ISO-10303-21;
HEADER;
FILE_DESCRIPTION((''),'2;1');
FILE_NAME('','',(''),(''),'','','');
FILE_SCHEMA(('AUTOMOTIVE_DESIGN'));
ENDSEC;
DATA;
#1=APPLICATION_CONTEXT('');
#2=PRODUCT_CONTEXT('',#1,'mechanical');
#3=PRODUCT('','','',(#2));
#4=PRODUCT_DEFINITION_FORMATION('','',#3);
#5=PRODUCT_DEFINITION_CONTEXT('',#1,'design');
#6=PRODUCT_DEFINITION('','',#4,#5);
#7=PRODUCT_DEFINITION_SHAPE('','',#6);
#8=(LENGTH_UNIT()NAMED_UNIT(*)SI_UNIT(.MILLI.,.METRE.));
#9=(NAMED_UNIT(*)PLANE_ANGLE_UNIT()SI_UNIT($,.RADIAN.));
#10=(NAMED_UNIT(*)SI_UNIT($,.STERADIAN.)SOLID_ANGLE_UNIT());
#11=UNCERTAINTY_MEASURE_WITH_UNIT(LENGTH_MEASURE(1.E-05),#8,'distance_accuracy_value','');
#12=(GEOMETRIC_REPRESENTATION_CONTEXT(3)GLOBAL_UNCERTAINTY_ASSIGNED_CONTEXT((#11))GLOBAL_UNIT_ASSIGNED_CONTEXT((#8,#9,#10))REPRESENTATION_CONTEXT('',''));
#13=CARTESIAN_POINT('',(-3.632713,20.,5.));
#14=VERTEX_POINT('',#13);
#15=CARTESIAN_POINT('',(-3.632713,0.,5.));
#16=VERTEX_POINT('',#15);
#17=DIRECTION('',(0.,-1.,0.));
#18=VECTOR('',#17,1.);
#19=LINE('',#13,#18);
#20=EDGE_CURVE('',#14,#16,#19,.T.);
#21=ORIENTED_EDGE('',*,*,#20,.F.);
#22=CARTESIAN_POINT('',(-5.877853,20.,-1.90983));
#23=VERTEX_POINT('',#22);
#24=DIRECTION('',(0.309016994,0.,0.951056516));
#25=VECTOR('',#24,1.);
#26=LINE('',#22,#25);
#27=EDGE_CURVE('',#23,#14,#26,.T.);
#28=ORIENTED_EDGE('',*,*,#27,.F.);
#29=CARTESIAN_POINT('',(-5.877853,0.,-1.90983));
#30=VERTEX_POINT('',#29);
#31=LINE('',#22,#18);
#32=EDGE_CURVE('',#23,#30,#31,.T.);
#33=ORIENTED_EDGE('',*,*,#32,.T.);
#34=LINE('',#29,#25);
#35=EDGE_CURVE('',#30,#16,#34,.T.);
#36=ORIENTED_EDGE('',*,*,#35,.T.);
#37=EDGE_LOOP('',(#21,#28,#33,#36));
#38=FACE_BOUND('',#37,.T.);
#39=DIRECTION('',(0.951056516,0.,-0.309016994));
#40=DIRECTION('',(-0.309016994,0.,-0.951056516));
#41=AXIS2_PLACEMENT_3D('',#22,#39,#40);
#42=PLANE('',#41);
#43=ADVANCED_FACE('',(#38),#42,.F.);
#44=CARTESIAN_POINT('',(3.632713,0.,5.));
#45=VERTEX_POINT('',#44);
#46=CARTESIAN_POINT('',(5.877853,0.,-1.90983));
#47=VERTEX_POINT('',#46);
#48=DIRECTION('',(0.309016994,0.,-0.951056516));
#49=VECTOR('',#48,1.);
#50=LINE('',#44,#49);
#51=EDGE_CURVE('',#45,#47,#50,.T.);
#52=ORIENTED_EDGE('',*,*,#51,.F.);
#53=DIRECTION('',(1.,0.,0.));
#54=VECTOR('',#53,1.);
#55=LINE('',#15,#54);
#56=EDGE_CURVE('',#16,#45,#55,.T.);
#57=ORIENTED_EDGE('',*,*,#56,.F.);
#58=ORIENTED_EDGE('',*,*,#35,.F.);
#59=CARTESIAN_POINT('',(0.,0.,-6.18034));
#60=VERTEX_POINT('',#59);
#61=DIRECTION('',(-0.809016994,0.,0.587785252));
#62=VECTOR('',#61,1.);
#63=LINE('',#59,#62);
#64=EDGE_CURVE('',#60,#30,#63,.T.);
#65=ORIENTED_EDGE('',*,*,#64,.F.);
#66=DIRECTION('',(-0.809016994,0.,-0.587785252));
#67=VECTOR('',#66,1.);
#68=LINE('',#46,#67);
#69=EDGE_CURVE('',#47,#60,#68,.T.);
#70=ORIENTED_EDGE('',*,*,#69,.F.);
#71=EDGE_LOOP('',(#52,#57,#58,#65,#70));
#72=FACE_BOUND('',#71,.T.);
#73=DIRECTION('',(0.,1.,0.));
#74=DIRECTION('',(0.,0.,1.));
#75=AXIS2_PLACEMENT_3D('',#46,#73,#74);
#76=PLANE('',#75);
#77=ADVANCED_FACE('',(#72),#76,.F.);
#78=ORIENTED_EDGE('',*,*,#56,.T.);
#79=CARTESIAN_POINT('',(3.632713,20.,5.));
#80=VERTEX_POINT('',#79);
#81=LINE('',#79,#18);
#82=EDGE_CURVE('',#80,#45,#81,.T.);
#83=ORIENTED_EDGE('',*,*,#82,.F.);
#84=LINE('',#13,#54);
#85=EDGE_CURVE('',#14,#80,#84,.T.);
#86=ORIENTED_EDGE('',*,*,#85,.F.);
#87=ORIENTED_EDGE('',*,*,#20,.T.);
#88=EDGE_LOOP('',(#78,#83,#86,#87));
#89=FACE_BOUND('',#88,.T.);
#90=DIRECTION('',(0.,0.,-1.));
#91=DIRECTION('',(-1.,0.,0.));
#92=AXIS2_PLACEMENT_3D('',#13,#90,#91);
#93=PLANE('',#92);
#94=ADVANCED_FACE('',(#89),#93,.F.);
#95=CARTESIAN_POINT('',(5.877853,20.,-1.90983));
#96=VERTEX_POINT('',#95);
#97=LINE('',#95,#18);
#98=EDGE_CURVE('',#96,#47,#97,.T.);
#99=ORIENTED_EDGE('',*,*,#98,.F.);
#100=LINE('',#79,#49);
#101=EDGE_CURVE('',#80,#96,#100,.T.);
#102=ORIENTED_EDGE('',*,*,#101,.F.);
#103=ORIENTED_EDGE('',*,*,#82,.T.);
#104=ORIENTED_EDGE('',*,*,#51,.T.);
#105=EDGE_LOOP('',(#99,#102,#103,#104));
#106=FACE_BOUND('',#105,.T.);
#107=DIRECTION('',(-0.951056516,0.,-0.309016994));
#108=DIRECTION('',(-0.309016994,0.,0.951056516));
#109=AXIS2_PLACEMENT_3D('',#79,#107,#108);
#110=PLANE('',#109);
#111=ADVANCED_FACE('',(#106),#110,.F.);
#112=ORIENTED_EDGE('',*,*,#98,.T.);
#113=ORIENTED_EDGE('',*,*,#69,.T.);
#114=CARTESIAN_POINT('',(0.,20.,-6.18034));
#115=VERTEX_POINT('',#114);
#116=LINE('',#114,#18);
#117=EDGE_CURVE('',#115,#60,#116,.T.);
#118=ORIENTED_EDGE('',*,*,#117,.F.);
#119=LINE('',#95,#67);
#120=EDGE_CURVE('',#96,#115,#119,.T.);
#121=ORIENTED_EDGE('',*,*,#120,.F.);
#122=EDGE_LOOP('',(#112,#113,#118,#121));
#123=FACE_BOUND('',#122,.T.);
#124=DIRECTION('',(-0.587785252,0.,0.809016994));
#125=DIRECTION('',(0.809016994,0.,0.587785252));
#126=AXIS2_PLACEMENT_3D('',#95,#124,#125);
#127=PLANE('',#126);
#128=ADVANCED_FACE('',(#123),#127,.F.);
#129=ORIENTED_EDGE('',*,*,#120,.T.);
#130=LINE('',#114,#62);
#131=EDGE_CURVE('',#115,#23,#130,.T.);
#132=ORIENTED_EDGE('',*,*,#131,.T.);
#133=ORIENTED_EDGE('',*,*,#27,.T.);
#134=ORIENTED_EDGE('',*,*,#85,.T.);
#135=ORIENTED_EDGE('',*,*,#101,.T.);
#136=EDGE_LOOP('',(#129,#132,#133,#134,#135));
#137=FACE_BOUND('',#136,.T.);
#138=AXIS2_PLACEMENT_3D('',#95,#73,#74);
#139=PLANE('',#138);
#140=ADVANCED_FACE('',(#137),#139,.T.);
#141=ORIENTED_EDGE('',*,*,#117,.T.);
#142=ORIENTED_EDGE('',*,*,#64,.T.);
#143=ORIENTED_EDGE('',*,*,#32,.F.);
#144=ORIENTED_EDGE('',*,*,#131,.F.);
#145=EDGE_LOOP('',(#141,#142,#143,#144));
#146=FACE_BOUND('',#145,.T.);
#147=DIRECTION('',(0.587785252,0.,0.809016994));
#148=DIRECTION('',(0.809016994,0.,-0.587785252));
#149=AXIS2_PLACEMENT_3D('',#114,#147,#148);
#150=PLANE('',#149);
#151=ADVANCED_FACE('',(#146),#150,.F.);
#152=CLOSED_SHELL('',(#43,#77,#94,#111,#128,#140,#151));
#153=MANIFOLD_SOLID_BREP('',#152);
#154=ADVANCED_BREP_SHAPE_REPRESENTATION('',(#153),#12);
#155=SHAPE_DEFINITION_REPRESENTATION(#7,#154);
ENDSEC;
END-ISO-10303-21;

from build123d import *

# Parameters (mm, degrees)
EXTRUDE1_DEPTH = 20


with BuildPart() as part:
    # Sketch1 → Extrude1 (new body)
    with BuildSketch(Plane(origin=(0, 0, 0), x_dir=(1, 0, 0), z_dir=(0, 1, 0))):
        Polygon((5.877852523, 1.909830056), (0, 6.180339887), (-5.877852523, 1.909830056), (-3.63271264, -5), (3.63271264, -5), align=None)
    extrude(amount=EXTRUDE1_DEPTH)


solid = part.part
